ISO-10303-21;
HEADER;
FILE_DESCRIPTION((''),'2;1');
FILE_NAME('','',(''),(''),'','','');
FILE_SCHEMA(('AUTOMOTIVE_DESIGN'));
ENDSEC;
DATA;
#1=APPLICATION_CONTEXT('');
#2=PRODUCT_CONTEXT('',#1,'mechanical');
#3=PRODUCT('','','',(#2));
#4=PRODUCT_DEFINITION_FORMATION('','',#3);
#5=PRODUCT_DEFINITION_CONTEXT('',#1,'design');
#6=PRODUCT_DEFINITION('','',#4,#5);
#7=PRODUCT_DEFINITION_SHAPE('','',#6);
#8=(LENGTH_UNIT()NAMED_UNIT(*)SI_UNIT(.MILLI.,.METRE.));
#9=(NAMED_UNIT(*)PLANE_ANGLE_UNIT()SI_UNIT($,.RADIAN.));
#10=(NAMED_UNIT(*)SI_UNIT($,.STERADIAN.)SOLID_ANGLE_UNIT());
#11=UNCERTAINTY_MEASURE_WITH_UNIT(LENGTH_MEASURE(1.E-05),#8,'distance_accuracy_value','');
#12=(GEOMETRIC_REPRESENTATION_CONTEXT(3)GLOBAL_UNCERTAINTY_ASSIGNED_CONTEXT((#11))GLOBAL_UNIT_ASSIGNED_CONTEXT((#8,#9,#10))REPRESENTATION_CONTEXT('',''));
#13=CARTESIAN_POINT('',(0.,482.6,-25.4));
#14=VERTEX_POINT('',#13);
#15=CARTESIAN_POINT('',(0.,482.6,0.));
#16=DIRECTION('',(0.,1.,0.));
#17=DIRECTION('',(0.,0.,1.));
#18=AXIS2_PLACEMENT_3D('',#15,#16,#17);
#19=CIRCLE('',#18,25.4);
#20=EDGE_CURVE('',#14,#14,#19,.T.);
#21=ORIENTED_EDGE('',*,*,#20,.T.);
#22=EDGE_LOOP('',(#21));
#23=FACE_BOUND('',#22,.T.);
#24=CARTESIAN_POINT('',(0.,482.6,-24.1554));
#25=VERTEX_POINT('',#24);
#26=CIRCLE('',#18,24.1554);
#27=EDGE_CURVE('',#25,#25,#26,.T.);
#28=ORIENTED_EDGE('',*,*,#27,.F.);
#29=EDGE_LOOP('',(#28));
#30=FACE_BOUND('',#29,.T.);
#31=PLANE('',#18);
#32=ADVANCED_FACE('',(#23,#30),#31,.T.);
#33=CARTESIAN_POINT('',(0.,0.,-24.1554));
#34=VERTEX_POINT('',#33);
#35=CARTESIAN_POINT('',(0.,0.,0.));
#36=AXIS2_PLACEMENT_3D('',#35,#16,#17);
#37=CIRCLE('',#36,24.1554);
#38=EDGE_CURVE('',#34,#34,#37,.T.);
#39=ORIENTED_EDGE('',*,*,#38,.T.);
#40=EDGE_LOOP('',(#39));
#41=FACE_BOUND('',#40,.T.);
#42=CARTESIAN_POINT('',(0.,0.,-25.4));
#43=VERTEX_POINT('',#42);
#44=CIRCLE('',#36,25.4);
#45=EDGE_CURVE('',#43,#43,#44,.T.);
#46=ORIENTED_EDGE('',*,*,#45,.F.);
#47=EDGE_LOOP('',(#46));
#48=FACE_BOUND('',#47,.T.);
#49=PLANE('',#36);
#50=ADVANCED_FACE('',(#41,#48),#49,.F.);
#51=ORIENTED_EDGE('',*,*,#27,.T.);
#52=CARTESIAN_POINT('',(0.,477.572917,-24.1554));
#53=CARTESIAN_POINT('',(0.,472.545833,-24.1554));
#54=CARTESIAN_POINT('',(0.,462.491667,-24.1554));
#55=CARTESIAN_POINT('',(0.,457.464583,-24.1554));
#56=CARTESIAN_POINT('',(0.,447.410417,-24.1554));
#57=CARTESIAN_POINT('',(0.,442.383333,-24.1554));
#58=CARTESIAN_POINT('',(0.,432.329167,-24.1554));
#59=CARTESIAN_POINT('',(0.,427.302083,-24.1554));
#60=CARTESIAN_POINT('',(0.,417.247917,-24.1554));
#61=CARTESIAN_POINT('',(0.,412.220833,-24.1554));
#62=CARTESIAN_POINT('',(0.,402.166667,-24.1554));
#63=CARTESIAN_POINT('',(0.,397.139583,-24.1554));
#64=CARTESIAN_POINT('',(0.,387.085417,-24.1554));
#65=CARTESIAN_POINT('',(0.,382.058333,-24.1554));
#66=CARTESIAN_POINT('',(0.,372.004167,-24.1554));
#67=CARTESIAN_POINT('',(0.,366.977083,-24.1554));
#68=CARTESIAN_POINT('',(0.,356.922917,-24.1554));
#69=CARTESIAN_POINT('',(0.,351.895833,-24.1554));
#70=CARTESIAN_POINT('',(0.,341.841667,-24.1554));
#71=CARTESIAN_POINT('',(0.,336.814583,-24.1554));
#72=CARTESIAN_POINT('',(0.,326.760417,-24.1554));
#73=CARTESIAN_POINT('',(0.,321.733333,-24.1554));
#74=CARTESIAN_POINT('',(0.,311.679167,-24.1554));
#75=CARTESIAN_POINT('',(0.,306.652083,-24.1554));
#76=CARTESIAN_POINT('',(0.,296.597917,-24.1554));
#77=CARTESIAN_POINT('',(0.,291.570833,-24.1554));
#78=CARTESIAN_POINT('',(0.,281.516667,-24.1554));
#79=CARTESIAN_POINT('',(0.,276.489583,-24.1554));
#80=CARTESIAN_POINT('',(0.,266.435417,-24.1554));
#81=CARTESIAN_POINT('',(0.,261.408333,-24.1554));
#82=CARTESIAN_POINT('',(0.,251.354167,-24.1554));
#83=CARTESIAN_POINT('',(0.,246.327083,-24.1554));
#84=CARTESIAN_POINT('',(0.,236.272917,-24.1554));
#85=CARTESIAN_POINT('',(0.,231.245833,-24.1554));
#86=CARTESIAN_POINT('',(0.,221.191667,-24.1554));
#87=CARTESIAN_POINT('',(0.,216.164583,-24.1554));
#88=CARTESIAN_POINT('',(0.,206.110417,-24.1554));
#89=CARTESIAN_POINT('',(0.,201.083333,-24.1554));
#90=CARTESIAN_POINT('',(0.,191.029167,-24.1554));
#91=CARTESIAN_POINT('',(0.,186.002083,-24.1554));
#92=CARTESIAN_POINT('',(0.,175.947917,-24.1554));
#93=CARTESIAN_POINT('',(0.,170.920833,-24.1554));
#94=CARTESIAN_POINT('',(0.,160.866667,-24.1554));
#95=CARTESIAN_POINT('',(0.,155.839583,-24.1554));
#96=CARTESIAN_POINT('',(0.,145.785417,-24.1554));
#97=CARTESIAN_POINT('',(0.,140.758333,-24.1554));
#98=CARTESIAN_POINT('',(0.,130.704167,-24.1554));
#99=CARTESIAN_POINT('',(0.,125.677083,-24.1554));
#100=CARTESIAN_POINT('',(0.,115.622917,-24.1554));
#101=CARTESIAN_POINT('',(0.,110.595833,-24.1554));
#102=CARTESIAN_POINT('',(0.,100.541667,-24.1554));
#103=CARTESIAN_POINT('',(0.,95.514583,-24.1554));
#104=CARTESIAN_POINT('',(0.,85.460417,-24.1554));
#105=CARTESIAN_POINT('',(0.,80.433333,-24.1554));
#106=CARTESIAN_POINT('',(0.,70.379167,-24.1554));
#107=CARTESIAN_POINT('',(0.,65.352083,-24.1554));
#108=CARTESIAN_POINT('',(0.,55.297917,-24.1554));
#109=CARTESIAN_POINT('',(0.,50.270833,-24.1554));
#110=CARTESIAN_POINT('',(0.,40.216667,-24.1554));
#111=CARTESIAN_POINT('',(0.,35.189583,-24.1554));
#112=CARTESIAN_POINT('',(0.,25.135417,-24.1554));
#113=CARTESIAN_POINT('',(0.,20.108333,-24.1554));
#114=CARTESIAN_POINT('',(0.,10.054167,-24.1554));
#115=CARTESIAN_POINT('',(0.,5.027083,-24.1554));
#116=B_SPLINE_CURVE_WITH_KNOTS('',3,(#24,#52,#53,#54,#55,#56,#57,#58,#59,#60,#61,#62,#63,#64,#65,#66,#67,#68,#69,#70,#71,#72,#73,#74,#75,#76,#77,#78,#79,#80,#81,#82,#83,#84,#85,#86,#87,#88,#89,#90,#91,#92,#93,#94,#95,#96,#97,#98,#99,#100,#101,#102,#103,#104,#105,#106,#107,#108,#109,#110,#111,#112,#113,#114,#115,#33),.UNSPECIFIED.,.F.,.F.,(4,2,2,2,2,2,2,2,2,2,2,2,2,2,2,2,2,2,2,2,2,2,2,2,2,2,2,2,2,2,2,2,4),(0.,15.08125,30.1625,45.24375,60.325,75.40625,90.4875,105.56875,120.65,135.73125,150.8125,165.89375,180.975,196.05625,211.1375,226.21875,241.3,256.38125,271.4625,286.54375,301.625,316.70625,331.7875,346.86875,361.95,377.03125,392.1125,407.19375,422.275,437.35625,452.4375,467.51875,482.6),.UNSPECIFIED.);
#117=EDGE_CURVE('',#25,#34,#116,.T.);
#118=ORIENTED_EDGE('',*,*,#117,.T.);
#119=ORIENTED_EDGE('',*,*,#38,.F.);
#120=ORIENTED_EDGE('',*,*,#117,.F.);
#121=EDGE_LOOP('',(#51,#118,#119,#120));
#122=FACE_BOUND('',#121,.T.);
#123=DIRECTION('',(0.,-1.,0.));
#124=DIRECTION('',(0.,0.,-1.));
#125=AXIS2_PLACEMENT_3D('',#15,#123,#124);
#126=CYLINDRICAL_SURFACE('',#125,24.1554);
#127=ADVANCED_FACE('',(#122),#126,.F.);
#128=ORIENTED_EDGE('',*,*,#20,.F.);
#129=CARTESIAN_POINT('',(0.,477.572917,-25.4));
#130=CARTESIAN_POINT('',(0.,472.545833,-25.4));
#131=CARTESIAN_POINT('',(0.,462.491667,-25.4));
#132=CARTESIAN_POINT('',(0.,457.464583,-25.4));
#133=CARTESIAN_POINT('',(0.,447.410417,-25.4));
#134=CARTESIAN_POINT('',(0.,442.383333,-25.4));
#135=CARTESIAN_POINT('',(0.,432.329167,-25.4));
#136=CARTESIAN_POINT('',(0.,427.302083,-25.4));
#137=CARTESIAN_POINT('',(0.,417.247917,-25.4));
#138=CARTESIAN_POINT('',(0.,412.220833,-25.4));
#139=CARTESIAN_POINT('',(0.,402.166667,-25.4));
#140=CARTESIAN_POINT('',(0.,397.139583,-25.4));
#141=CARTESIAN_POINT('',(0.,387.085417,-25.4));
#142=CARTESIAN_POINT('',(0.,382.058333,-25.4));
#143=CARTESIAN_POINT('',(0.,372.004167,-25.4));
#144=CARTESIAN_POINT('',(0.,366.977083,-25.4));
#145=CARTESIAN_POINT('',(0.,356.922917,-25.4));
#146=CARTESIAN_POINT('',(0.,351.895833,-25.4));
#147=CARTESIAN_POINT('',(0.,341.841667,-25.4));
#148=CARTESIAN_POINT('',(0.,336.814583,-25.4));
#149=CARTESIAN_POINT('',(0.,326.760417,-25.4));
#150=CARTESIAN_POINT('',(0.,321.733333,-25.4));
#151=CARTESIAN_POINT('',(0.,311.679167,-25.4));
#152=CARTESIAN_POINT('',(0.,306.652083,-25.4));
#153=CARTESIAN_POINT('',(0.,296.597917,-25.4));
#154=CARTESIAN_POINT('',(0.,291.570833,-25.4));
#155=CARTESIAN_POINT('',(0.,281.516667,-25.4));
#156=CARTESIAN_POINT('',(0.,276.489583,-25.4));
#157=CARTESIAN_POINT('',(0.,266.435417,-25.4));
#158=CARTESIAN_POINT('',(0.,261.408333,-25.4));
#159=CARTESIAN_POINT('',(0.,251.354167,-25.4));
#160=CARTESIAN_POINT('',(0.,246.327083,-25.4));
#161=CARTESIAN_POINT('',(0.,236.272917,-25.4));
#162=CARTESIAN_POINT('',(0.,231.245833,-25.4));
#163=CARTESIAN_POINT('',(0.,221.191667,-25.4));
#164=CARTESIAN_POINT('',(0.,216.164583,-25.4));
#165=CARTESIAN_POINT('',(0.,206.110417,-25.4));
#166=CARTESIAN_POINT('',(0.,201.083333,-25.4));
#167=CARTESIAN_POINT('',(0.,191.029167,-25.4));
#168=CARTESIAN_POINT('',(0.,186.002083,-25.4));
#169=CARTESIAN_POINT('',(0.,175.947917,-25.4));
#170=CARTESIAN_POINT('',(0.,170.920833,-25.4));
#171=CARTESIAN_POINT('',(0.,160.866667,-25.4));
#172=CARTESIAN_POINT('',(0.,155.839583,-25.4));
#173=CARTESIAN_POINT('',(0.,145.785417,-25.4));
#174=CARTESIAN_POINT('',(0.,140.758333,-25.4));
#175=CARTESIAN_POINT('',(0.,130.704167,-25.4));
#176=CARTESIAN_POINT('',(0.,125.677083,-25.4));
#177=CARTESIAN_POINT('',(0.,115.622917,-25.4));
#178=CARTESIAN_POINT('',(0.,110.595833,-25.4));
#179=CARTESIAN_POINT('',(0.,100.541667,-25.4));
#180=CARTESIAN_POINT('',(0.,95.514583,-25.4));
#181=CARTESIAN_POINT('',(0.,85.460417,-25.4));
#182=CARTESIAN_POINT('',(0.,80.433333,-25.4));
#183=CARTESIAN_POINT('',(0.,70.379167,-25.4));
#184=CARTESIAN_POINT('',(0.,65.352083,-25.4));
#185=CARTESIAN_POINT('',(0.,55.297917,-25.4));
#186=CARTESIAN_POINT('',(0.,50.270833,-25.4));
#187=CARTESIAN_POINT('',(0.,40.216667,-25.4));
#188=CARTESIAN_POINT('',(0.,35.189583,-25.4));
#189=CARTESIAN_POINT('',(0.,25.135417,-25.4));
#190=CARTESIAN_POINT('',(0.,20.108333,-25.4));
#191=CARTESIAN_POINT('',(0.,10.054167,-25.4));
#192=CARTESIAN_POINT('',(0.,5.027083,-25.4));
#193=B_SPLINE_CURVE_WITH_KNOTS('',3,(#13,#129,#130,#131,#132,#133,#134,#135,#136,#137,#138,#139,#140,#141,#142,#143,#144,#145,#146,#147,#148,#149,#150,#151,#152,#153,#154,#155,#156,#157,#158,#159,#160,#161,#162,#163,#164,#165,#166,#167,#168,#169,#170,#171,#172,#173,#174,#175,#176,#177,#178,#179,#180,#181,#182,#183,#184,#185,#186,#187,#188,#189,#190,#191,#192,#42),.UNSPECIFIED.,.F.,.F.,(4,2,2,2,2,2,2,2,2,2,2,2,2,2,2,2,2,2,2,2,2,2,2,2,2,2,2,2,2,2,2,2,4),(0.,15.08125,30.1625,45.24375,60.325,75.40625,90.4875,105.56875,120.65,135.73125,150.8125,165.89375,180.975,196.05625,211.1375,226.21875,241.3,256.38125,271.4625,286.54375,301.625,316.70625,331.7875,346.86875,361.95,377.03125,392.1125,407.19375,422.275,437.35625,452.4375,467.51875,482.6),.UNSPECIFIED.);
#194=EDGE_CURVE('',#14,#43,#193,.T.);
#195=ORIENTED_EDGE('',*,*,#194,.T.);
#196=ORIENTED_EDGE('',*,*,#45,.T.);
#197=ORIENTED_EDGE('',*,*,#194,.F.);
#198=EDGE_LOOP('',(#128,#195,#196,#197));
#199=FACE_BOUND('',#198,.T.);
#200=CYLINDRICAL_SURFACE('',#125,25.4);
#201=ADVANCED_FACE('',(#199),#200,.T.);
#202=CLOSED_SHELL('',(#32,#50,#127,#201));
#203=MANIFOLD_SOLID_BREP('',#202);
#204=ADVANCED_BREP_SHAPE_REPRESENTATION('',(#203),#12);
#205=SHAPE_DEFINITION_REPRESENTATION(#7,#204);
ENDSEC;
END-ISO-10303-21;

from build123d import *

# Parameters (mm, degrees)
SKETCH1_R   = 25.4
SKETCH1_R_2 = 24.1554
BODY_DEPTH  = 482.6


with BuildPart() as part:
    # Sketch1 → body (new body)
    with BuildSketch(Plane(origin=(0, 0, 0), x_dir=(1, 0, 0), z_dir=(0, 1, 0))):
        with Locations(Location((0, 0, 0), (0, 0, 90))):
            Circle(SKETCH1_R)
        with Locations(Location((0, 0, 0), (0, 0, 90))):
            Circle(SKETCH1_R_2, mode=Mode.SUBTRACT)
    extrude(amount=BODY_DEPTH)


solid = part.part
